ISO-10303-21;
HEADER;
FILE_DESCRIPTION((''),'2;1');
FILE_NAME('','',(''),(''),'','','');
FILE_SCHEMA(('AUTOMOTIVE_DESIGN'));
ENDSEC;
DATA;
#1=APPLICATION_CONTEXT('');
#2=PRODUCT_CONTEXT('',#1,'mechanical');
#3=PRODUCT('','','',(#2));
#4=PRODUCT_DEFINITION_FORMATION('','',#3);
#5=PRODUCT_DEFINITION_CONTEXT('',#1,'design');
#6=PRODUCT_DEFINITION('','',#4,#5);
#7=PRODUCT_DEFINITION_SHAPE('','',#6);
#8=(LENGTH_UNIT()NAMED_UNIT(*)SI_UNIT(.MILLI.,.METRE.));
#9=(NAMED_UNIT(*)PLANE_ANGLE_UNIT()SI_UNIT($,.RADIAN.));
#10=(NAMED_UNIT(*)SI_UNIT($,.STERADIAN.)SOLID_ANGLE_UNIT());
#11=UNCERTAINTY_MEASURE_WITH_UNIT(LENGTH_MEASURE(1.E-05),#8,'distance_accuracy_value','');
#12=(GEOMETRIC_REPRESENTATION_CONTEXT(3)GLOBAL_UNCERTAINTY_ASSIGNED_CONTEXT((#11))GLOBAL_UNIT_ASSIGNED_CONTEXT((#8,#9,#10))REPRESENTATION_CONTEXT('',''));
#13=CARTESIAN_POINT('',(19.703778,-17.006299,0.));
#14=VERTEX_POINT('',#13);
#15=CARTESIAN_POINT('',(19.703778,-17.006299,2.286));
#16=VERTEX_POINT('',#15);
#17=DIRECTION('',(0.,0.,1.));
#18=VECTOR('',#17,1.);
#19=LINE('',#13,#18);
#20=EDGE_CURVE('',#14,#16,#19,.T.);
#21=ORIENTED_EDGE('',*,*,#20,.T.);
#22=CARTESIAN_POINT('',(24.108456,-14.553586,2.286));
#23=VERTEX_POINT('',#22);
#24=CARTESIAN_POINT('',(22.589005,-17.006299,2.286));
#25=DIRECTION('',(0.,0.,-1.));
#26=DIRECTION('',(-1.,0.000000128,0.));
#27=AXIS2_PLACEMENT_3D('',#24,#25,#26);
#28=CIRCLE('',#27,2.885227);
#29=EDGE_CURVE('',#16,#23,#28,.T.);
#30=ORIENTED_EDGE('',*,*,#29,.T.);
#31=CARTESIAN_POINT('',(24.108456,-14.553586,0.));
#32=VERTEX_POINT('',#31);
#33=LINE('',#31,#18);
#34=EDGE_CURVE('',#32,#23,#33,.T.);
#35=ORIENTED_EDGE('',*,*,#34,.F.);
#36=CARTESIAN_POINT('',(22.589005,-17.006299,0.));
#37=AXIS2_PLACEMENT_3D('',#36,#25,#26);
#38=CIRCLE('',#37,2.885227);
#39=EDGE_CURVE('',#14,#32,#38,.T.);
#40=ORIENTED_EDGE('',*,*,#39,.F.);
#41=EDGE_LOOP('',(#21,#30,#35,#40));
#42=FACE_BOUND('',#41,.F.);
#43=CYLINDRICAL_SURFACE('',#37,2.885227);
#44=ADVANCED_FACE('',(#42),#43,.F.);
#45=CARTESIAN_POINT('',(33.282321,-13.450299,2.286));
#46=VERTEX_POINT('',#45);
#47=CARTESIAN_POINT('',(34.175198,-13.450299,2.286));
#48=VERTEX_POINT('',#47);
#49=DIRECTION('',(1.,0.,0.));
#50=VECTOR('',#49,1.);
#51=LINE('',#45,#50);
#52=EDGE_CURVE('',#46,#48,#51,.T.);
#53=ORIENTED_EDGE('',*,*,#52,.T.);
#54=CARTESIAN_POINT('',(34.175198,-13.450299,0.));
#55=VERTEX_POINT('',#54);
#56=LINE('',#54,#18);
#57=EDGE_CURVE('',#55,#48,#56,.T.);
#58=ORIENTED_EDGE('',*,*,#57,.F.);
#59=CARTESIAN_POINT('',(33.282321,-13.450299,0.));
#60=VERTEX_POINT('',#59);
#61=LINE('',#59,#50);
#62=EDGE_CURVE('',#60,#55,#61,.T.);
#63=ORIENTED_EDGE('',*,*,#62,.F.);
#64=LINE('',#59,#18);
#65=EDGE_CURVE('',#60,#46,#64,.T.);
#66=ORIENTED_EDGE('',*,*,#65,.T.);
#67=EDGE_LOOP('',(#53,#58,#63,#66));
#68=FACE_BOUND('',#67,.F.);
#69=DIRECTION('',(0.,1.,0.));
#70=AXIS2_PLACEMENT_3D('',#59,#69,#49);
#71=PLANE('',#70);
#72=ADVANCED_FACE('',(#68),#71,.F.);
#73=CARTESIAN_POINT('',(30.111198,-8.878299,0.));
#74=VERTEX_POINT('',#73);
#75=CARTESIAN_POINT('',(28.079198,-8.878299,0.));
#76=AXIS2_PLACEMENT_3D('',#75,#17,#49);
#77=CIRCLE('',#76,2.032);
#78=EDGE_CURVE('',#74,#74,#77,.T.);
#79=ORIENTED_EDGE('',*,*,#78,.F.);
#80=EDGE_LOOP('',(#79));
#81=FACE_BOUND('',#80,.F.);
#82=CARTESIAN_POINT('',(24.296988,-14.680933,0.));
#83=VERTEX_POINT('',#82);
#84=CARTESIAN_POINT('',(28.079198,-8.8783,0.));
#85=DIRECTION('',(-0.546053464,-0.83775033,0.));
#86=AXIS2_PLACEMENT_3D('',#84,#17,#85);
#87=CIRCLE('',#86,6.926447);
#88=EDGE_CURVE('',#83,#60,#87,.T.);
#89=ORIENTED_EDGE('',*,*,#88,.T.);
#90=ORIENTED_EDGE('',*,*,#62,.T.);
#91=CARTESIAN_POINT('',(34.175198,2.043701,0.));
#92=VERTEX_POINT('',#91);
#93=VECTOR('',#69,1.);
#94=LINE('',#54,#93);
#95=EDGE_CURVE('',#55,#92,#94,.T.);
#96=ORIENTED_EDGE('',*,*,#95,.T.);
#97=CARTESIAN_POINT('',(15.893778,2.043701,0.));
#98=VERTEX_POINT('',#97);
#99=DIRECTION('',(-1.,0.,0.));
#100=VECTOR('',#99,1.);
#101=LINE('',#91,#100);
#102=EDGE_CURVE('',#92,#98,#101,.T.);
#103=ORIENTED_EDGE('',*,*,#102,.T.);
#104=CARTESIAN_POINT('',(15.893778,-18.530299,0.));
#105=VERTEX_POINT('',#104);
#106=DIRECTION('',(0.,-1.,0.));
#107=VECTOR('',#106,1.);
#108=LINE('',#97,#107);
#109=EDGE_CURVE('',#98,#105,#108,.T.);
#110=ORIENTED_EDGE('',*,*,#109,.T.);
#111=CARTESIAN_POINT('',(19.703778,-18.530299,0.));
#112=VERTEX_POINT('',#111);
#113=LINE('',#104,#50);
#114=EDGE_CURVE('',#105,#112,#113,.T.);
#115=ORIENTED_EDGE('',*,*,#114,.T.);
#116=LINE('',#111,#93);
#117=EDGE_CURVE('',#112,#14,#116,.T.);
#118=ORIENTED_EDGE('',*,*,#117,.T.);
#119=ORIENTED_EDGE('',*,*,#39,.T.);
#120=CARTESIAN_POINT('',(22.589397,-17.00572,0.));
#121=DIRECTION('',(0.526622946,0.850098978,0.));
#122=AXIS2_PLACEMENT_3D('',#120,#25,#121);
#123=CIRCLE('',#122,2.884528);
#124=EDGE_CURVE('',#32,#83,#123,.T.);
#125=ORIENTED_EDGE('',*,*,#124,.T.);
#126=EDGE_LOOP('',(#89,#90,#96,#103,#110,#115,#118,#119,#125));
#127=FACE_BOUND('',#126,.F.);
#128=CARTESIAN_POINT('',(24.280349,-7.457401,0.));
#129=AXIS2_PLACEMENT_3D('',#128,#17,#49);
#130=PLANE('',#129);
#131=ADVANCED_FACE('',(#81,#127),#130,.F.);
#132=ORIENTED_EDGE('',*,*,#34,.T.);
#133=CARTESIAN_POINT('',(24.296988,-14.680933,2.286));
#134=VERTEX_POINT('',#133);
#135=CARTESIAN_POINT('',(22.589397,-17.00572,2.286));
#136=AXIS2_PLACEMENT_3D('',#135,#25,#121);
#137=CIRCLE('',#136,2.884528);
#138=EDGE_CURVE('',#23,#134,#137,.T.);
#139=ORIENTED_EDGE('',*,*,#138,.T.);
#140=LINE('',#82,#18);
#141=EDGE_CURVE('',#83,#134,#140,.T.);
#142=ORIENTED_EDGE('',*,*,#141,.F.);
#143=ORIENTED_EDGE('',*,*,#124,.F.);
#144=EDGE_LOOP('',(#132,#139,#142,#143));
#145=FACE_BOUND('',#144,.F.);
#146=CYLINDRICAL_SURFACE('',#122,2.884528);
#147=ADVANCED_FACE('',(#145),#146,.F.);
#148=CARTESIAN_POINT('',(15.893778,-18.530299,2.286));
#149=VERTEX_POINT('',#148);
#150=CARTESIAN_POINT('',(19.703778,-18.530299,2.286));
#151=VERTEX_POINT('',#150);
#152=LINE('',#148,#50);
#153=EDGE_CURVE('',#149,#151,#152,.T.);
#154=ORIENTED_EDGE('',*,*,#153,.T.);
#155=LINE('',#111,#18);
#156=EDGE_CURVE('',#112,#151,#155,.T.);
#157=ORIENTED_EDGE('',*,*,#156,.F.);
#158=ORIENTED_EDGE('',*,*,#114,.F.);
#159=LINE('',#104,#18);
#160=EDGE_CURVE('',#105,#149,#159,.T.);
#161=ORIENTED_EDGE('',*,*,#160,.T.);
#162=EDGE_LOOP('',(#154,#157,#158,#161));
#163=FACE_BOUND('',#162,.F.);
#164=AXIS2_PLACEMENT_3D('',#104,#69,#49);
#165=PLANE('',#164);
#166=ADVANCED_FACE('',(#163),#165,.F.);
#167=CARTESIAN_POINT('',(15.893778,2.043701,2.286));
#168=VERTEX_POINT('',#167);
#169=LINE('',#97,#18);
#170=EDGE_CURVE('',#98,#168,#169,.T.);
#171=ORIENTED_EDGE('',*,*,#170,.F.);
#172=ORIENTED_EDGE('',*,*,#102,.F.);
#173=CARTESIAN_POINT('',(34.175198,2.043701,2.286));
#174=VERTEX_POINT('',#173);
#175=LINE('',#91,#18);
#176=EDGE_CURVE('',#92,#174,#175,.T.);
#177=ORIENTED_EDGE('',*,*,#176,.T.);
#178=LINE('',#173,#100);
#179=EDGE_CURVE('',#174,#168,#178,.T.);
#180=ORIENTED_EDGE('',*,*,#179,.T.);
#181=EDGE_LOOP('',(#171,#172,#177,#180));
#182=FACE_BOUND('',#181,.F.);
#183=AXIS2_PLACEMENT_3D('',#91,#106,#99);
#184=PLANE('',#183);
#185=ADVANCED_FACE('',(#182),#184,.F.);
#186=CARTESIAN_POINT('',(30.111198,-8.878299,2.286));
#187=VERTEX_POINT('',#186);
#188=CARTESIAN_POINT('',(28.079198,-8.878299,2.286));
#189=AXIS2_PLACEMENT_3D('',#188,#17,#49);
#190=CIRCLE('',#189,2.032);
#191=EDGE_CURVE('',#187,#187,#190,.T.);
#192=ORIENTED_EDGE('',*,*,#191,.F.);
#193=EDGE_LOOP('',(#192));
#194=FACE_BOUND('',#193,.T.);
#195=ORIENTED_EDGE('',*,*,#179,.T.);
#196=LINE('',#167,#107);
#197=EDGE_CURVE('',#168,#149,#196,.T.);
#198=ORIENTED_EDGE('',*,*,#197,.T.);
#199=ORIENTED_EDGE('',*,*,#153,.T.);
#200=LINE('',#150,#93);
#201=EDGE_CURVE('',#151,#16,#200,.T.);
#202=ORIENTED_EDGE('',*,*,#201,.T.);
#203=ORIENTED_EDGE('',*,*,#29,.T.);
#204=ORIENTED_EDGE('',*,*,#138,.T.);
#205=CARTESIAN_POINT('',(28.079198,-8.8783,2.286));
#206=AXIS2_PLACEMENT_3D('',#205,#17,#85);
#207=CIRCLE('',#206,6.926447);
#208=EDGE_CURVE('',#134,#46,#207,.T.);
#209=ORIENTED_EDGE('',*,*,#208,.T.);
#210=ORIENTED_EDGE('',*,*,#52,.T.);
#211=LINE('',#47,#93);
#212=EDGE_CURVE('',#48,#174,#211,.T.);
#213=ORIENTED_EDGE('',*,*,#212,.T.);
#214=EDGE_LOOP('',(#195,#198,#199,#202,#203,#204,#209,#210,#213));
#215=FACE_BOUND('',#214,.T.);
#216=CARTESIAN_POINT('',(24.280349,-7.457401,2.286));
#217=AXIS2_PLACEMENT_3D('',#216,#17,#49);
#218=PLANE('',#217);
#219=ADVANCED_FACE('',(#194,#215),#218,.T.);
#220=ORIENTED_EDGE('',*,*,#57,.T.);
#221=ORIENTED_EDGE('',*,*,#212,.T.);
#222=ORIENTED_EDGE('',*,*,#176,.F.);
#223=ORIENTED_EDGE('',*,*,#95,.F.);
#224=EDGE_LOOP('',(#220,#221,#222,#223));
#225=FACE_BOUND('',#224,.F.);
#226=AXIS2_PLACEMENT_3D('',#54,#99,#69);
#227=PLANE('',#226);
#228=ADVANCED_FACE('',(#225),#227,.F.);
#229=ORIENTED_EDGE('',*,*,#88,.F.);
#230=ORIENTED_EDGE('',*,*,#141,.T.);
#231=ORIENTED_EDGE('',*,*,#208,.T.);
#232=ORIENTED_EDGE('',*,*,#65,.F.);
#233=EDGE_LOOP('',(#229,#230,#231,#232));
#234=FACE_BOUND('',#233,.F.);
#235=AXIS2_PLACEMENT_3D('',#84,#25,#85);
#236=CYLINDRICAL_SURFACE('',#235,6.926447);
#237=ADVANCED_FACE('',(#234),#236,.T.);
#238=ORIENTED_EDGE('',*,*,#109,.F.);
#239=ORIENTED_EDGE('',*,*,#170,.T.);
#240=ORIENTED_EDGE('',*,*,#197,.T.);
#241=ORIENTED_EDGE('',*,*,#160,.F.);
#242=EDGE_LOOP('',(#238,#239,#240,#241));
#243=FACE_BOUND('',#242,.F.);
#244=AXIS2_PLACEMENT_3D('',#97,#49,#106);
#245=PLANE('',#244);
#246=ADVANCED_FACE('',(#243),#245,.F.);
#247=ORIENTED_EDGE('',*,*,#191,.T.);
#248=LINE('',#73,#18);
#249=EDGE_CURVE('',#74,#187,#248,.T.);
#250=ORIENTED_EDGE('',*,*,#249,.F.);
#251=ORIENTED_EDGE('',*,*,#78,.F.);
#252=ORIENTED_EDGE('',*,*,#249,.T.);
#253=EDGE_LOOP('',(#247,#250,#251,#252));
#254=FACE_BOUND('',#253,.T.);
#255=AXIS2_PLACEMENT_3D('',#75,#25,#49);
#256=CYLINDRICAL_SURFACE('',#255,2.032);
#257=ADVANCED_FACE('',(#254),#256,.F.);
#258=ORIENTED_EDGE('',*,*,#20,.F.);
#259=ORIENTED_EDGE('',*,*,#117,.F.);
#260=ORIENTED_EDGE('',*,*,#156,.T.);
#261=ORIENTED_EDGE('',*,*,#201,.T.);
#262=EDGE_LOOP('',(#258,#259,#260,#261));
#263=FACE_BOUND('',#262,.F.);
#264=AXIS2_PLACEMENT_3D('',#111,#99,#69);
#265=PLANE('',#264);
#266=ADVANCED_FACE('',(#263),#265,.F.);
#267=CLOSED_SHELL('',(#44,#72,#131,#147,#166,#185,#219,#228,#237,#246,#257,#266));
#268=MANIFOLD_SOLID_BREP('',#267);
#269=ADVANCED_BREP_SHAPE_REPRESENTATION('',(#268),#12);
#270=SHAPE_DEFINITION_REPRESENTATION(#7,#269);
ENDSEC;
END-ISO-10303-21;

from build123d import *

# Parameters (mm, degrees)
F0_R     = 2.032
F1_DEPTH = 2.286


with BuildPart() as f1:
    # F0 (on Top) → F1 (new body)
    with BuildSketch(Plane.XY):
        with BuildLine():
            Line((34.175198, -8.878299), (34.175198, 2.043701))
            Line((34.175198, 2.043701), (15.893778, 2.043701))
            Line((15.893778, 2.043701), (15.893778, -13.450299))
            Line((15.893778, -13.450299), (15.893778, -18.530299))
            Line((15.893778, -18.530299), (19.703778, -18.530299))
            Line((19.703778, -18.530299), (19.703778, -17.006299))
            ThreePointArc((19.703778, -17.006299), (21.185336, -14.485536), (24.108456, -14.553586))
            ThreePointArc((24.108456, -14.553586), (24.203978, -14.6154), (24.296988, -14.680933))
            ThreePointArc((24.296988, -14.680933), (29.019072, -15.740683), (33.282321, -13.450299))
            Line((33.282321, -13.450299), (34.175198, -13.450299))
            Line((34.175198, -13.450299), (34.175198, -8.878299))
        make_face()
        with Locations((28.079198, -8.878299)):
            Circle(F0_R, mode=Mode.SUBTRACT)
    extrude(amount=F1_DEPTH)


solid = f1.part
